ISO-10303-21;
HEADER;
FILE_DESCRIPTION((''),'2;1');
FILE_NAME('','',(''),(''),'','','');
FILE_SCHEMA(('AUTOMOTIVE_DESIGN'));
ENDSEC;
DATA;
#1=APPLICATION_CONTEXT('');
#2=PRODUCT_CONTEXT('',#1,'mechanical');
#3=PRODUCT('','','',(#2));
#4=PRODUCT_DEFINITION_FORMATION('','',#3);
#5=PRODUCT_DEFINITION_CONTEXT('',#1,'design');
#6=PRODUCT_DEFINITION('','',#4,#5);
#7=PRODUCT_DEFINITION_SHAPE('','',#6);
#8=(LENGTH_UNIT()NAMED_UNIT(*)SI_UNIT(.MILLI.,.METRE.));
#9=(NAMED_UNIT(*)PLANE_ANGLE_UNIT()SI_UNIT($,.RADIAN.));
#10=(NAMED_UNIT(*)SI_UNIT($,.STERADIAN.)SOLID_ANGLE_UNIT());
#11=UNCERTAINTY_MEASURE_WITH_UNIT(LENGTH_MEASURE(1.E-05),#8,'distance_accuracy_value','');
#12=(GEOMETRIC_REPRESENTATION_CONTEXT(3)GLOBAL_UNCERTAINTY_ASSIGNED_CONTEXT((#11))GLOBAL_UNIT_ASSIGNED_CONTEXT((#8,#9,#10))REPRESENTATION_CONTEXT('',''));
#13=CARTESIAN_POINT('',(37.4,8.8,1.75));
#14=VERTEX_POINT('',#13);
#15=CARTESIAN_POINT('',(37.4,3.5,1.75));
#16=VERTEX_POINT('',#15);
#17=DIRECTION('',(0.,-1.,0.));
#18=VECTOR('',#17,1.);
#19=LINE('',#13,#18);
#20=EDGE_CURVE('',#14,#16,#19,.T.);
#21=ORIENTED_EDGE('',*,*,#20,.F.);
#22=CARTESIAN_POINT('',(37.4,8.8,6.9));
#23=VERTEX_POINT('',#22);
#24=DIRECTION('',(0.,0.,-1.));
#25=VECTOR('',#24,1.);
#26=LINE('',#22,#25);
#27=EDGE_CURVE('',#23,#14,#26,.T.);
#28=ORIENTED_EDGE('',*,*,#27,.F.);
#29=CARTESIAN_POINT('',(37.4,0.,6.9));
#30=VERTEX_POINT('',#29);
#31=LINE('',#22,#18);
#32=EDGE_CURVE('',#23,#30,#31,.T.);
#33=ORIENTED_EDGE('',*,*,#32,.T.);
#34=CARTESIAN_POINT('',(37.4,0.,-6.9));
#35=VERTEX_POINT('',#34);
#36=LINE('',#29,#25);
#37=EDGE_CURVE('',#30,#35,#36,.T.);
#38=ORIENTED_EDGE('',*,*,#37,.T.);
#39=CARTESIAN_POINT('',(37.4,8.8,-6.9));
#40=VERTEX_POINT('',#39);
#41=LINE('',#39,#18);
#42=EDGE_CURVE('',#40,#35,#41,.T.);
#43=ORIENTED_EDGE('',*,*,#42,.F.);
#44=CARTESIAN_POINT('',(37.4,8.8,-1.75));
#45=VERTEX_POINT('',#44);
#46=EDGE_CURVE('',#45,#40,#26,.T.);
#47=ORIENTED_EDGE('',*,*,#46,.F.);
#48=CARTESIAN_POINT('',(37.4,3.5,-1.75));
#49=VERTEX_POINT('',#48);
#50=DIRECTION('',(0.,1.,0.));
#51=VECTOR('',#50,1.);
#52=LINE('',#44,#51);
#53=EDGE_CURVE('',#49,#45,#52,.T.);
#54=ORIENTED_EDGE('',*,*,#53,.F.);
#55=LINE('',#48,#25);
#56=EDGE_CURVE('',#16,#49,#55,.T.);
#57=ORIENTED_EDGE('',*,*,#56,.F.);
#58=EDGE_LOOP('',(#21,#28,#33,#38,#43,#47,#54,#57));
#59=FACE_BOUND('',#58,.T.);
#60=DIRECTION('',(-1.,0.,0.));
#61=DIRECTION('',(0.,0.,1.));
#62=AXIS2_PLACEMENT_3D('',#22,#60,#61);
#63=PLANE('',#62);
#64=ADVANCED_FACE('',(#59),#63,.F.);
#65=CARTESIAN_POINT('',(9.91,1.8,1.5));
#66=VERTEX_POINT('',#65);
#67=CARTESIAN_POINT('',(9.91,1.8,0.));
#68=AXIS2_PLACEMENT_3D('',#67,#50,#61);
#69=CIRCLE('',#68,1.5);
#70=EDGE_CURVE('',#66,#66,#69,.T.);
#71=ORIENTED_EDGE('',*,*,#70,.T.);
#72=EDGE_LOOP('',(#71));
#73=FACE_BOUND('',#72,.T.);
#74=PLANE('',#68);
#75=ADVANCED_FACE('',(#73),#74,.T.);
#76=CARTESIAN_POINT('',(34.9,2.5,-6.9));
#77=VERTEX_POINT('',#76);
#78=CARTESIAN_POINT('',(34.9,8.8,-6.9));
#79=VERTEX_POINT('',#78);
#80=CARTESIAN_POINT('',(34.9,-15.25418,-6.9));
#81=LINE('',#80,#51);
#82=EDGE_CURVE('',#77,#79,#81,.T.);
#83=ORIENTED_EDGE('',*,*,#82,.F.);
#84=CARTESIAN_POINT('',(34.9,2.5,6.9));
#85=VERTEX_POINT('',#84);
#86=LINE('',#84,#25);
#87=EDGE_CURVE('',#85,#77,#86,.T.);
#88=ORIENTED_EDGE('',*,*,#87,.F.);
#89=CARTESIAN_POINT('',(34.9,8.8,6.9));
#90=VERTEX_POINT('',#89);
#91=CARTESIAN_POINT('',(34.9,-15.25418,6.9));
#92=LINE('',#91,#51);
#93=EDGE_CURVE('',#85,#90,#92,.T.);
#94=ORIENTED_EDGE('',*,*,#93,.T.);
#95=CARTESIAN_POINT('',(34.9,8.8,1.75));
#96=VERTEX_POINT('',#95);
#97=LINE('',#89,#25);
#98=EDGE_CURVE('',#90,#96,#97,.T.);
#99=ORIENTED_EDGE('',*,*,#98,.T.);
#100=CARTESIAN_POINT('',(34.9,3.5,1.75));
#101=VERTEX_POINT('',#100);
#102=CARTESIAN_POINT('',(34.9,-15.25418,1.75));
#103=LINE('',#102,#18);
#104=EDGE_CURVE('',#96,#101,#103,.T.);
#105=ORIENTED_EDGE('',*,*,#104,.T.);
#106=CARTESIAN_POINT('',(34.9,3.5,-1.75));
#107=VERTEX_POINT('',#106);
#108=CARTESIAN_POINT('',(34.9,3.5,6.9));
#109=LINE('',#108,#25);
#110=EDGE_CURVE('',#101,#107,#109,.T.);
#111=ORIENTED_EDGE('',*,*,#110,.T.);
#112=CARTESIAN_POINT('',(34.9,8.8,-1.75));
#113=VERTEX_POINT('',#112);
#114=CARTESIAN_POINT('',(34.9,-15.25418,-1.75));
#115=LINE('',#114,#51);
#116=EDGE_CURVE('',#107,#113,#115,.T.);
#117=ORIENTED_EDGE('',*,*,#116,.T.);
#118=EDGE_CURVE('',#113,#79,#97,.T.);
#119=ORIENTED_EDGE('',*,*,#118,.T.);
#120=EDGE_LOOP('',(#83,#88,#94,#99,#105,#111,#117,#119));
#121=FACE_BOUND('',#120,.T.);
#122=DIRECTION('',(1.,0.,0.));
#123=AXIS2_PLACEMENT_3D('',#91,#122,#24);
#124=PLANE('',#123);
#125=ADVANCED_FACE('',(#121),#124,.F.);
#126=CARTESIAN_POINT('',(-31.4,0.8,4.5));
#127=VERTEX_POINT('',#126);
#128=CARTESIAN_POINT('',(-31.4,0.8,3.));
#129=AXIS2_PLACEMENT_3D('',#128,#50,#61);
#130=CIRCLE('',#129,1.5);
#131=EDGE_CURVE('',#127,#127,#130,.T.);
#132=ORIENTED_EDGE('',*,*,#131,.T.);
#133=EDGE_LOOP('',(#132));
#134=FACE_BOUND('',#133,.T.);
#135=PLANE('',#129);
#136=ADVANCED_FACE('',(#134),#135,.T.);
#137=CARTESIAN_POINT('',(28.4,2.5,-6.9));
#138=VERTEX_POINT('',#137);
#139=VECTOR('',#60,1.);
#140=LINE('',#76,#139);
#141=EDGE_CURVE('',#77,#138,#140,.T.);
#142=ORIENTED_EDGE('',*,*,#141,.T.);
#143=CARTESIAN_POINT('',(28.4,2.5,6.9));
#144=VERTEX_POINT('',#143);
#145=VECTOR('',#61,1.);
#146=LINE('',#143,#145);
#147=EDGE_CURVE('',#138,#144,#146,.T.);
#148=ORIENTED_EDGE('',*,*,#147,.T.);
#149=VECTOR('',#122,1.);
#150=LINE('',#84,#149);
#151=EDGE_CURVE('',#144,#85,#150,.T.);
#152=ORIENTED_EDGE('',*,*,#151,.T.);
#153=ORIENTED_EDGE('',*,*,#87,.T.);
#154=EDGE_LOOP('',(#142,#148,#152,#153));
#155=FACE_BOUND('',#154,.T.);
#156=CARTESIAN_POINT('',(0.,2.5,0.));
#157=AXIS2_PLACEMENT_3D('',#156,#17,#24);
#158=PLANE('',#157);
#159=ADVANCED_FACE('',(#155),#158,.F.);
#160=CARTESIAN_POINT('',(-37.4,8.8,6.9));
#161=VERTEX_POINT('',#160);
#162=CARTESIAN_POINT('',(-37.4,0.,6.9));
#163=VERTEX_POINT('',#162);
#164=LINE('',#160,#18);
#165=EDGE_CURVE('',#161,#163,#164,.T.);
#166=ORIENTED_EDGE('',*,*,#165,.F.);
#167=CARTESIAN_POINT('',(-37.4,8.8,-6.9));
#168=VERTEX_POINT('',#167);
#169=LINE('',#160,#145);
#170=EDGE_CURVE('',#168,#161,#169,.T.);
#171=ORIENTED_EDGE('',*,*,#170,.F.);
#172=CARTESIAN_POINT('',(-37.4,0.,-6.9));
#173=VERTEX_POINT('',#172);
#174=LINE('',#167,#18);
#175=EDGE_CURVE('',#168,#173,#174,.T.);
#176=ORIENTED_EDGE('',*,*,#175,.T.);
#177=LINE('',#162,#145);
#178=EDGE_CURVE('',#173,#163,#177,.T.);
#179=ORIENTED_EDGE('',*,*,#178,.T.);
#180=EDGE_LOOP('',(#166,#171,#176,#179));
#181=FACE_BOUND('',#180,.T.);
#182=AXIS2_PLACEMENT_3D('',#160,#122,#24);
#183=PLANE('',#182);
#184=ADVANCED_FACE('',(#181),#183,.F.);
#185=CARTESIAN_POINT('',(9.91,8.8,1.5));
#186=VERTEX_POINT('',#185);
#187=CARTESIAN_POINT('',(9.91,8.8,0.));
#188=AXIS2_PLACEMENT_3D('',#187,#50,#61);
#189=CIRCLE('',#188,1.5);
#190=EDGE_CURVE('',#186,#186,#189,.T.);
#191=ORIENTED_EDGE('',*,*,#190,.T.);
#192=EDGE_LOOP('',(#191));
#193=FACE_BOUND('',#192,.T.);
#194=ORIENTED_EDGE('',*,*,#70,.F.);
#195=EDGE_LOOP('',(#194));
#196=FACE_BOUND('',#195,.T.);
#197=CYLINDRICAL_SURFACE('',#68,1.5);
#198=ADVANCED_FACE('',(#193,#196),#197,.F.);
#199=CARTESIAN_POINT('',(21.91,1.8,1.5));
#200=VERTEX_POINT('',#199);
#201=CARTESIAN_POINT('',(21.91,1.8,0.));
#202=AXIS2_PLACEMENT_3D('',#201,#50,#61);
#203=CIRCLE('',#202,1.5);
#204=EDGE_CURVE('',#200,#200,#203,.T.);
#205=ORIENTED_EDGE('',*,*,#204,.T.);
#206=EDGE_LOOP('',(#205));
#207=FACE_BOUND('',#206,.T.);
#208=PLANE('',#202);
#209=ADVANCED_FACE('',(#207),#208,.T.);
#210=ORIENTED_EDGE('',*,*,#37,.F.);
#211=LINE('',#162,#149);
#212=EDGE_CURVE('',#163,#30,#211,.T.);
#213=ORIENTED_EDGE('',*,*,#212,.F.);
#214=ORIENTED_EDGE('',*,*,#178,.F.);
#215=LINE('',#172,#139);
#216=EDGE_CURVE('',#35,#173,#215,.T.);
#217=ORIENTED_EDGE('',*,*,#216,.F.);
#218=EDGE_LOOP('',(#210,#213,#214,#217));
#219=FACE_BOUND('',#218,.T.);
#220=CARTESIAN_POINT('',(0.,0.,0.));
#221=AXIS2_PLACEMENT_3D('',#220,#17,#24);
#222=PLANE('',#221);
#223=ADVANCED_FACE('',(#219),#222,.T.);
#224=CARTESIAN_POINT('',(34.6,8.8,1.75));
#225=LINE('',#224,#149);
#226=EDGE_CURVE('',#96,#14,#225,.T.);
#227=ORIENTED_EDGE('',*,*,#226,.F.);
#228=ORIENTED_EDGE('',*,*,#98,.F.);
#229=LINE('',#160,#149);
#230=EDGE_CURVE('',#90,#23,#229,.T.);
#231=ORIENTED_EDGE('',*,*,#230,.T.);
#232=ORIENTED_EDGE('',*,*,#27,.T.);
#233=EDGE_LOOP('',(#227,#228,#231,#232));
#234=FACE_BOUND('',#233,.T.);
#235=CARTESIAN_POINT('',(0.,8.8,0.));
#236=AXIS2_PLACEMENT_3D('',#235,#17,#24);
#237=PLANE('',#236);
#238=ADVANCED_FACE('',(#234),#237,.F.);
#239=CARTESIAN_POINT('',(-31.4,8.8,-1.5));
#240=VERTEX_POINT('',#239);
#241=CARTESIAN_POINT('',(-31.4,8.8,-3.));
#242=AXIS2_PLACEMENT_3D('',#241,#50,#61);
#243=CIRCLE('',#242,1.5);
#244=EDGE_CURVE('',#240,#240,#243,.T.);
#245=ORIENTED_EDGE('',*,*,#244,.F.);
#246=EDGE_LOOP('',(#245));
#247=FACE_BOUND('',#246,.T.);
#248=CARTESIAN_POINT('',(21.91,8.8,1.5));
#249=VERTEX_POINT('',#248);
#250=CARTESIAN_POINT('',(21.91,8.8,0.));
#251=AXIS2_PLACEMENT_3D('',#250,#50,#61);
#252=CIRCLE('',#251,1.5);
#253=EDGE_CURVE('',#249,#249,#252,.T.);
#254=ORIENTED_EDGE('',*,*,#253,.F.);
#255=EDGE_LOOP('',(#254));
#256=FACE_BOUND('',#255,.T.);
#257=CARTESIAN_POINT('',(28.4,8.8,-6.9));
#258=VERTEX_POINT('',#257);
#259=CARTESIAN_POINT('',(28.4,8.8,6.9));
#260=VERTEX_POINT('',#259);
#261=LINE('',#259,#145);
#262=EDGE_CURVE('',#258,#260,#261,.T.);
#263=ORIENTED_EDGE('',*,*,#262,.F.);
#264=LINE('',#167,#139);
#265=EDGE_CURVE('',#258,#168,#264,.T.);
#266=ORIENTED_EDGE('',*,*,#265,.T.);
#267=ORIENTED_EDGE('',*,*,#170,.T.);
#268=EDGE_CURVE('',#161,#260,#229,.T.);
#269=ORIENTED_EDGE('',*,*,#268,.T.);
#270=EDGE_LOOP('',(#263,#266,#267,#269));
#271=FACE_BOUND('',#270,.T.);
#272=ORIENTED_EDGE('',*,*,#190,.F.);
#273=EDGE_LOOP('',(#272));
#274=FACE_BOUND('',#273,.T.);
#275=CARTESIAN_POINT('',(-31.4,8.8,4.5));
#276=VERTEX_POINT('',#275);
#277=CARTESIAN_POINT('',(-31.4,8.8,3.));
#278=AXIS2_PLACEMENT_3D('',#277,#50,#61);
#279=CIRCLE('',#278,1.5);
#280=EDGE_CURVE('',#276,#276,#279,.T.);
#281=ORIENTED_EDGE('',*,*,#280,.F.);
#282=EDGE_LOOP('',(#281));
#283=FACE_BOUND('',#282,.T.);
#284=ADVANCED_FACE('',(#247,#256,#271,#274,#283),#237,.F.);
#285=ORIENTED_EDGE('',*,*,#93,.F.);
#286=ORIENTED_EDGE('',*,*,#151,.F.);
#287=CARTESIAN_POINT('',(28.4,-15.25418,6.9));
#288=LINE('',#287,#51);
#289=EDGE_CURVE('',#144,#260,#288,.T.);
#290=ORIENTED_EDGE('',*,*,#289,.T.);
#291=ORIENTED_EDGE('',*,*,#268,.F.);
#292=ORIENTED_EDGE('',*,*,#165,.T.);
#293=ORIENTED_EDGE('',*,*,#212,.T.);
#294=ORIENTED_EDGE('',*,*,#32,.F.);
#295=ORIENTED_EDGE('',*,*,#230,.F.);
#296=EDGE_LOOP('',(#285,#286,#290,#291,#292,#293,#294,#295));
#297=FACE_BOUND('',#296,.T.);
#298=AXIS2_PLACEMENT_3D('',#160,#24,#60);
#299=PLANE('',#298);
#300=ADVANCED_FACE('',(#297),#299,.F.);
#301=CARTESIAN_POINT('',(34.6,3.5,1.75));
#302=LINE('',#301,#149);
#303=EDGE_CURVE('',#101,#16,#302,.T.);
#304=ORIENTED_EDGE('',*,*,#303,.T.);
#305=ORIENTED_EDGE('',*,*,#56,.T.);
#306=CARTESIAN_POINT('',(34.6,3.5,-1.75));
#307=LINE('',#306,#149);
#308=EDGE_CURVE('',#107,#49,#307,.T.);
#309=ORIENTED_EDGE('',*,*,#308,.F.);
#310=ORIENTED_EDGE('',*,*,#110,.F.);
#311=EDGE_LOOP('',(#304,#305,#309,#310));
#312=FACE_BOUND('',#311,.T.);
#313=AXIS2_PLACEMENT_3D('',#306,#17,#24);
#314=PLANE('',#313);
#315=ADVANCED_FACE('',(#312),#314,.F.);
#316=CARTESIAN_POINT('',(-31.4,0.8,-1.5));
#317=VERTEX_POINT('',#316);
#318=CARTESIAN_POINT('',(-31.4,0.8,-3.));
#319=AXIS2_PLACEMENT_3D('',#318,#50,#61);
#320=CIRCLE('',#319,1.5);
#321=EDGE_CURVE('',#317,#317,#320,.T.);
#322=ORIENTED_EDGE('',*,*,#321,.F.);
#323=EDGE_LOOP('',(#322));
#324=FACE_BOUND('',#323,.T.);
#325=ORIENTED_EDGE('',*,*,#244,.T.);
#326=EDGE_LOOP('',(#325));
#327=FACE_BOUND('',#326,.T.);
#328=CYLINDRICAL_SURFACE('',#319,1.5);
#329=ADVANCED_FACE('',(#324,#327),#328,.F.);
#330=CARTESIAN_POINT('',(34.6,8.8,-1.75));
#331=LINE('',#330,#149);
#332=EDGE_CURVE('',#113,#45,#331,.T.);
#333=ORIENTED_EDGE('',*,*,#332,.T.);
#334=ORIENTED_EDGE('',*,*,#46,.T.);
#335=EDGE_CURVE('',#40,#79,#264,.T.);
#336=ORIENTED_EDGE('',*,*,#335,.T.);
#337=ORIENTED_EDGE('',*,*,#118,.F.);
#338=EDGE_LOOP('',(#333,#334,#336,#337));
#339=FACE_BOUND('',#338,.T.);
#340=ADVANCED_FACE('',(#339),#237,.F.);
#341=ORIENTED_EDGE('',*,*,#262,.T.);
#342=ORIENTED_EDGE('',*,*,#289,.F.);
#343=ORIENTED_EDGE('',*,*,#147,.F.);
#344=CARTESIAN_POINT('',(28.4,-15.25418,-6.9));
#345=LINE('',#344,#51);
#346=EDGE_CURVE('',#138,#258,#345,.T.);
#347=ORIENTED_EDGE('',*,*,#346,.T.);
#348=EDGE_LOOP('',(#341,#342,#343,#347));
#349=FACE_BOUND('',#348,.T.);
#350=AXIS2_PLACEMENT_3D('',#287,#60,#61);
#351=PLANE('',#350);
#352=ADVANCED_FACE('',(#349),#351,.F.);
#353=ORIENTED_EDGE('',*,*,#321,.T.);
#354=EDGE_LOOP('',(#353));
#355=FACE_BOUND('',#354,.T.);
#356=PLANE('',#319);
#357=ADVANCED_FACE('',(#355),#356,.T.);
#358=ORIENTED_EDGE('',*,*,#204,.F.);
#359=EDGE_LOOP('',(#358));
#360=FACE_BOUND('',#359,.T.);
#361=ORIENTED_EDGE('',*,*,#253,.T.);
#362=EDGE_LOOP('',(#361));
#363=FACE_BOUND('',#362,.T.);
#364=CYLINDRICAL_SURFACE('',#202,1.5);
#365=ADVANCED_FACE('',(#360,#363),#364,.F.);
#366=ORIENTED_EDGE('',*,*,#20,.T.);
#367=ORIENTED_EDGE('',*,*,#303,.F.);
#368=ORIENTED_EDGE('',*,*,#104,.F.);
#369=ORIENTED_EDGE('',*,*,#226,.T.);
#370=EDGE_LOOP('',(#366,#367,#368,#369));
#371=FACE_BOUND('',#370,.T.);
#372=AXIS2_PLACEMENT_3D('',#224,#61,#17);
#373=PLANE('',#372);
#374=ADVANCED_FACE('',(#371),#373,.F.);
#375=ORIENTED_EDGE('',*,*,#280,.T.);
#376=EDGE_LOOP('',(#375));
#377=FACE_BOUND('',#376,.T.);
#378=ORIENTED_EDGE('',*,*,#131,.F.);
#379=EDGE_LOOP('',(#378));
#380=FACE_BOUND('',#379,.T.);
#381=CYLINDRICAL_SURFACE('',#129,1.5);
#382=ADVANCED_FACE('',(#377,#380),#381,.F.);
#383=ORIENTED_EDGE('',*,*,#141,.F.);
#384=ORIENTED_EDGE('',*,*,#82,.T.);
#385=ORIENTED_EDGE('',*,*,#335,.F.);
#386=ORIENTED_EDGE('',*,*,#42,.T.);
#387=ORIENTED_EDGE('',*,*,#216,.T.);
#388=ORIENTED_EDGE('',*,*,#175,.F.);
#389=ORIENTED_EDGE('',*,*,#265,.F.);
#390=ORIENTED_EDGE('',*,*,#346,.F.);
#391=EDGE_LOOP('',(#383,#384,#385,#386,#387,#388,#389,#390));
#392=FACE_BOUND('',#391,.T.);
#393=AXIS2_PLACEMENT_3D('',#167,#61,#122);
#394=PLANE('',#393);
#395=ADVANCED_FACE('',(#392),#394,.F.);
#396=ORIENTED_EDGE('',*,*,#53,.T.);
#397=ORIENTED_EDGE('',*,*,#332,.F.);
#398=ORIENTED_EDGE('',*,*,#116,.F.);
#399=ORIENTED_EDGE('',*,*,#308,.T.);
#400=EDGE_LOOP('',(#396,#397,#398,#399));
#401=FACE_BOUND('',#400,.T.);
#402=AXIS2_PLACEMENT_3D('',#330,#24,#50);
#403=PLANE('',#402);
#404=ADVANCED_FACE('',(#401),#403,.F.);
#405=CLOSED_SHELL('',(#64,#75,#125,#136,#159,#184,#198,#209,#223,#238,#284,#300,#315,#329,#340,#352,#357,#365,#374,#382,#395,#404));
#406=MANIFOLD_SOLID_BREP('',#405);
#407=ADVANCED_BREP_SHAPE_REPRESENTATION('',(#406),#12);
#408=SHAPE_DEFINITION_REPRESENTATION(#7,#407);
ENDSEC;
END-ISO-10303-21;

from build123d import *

# Parameters (mm, degrees)
SKETCH1_W           = 74.8
SKETCH1_H           = 13.8
BOSS_EXTRUDE1_DEPTH = 8.8
SKETCH2_W           = 6.5
SKETCH2_H           = 13.8
CUT_EXTRUDE1_DEPTH  = 6.3
SKETCH3_W           = 3.5
SKETCH3_H           = 5.3
CUT_EXTRUDE2_DEPTH  = 2.8
SKETCH4_R           = 1.5
CUT_EXTRUDE3_DEPTH  = 7
SKETCH5_R           = 1.5
CUT_EXTRUDE4_DEPTH  = 8


with BuildPart() as part:
    # Sketch1 → Boss-Extrude1 (new body)
    with BuildSketch(Plane(origin=(0, 0, 0), x_dir=(1, 0, 0), z_dir=(0, 1, 0))):
        Rectangle(SKETCH1_W, SKETCH1_H)
    extrude(amount=BOSS_EXTRUDE1_DEPTH)

    # Sketch2 → Cut-Extrude1 (cut)
    with BuildSketch(Plane(origin=(0, 8.8, 0), x_dir=(1, 0, 0), z_dir=(0, 1, 0))):
        with Locations((31.65, 0)):
            Rectangle(SKETCH2_W, SKETCH2_H)
    extrude(amount=-CUT_EXTRUDE1_DEPTH, mode=Mode.SUBTRACT)

    # Sketch3 → Cut-Extrude2 (cut)
    with BuildSketch(Plane(origin=(37.4, 0, 0), x_dir=(0, 0, -1), z_dir=(1, 0, 0))):
        with Locations((0, 6.15)):
            Rectangle(SKETCH3_W, SKETCH3_H)
    extrude(amount=-CUT_EXTRUDE2_DEPTH, mode=Mode.SUBTRACT)

    # Sketch4 → Cut-Extrude3 (cut)
    with BuildSketch(Plane(origin=(0, 8.8, 0), x_dir=(1, 0, 0), z_dir=(0, 1, 0))):
        with Locations(Location((21.91, 0, 0), (0, 0, 270))):
            Circle(SKETCH4_R)
        with Locations(Location((9.91, 0, 0), (0, 0, 270))):
            Circle(SKETCH4_R)
    extrude(amount=-CUT_EXTRUDE3_DEPTH, mode=Mode.SUBTRACT)

    # Sketch5 → Cut-Extrude4 (cut)
    with BuildSketch(Plane(origin=(0, 8.8, 0), x_dir=(1, 0, 0), z_dir=(0, 1, 0))):
        with Locations(Location((-31.4, 3, 0), (0, 0, 270))):
            Circle(SKETCH5_R)
        with Locations(Location((-31.4, -3, 0), (0, 0, 270))):
            Circle(SKETCH5_R)
    extrude(amount=-CUT_EXTRUDE4_DEPTH, mode=Mode.SUBTRACT)


solid = part.part
